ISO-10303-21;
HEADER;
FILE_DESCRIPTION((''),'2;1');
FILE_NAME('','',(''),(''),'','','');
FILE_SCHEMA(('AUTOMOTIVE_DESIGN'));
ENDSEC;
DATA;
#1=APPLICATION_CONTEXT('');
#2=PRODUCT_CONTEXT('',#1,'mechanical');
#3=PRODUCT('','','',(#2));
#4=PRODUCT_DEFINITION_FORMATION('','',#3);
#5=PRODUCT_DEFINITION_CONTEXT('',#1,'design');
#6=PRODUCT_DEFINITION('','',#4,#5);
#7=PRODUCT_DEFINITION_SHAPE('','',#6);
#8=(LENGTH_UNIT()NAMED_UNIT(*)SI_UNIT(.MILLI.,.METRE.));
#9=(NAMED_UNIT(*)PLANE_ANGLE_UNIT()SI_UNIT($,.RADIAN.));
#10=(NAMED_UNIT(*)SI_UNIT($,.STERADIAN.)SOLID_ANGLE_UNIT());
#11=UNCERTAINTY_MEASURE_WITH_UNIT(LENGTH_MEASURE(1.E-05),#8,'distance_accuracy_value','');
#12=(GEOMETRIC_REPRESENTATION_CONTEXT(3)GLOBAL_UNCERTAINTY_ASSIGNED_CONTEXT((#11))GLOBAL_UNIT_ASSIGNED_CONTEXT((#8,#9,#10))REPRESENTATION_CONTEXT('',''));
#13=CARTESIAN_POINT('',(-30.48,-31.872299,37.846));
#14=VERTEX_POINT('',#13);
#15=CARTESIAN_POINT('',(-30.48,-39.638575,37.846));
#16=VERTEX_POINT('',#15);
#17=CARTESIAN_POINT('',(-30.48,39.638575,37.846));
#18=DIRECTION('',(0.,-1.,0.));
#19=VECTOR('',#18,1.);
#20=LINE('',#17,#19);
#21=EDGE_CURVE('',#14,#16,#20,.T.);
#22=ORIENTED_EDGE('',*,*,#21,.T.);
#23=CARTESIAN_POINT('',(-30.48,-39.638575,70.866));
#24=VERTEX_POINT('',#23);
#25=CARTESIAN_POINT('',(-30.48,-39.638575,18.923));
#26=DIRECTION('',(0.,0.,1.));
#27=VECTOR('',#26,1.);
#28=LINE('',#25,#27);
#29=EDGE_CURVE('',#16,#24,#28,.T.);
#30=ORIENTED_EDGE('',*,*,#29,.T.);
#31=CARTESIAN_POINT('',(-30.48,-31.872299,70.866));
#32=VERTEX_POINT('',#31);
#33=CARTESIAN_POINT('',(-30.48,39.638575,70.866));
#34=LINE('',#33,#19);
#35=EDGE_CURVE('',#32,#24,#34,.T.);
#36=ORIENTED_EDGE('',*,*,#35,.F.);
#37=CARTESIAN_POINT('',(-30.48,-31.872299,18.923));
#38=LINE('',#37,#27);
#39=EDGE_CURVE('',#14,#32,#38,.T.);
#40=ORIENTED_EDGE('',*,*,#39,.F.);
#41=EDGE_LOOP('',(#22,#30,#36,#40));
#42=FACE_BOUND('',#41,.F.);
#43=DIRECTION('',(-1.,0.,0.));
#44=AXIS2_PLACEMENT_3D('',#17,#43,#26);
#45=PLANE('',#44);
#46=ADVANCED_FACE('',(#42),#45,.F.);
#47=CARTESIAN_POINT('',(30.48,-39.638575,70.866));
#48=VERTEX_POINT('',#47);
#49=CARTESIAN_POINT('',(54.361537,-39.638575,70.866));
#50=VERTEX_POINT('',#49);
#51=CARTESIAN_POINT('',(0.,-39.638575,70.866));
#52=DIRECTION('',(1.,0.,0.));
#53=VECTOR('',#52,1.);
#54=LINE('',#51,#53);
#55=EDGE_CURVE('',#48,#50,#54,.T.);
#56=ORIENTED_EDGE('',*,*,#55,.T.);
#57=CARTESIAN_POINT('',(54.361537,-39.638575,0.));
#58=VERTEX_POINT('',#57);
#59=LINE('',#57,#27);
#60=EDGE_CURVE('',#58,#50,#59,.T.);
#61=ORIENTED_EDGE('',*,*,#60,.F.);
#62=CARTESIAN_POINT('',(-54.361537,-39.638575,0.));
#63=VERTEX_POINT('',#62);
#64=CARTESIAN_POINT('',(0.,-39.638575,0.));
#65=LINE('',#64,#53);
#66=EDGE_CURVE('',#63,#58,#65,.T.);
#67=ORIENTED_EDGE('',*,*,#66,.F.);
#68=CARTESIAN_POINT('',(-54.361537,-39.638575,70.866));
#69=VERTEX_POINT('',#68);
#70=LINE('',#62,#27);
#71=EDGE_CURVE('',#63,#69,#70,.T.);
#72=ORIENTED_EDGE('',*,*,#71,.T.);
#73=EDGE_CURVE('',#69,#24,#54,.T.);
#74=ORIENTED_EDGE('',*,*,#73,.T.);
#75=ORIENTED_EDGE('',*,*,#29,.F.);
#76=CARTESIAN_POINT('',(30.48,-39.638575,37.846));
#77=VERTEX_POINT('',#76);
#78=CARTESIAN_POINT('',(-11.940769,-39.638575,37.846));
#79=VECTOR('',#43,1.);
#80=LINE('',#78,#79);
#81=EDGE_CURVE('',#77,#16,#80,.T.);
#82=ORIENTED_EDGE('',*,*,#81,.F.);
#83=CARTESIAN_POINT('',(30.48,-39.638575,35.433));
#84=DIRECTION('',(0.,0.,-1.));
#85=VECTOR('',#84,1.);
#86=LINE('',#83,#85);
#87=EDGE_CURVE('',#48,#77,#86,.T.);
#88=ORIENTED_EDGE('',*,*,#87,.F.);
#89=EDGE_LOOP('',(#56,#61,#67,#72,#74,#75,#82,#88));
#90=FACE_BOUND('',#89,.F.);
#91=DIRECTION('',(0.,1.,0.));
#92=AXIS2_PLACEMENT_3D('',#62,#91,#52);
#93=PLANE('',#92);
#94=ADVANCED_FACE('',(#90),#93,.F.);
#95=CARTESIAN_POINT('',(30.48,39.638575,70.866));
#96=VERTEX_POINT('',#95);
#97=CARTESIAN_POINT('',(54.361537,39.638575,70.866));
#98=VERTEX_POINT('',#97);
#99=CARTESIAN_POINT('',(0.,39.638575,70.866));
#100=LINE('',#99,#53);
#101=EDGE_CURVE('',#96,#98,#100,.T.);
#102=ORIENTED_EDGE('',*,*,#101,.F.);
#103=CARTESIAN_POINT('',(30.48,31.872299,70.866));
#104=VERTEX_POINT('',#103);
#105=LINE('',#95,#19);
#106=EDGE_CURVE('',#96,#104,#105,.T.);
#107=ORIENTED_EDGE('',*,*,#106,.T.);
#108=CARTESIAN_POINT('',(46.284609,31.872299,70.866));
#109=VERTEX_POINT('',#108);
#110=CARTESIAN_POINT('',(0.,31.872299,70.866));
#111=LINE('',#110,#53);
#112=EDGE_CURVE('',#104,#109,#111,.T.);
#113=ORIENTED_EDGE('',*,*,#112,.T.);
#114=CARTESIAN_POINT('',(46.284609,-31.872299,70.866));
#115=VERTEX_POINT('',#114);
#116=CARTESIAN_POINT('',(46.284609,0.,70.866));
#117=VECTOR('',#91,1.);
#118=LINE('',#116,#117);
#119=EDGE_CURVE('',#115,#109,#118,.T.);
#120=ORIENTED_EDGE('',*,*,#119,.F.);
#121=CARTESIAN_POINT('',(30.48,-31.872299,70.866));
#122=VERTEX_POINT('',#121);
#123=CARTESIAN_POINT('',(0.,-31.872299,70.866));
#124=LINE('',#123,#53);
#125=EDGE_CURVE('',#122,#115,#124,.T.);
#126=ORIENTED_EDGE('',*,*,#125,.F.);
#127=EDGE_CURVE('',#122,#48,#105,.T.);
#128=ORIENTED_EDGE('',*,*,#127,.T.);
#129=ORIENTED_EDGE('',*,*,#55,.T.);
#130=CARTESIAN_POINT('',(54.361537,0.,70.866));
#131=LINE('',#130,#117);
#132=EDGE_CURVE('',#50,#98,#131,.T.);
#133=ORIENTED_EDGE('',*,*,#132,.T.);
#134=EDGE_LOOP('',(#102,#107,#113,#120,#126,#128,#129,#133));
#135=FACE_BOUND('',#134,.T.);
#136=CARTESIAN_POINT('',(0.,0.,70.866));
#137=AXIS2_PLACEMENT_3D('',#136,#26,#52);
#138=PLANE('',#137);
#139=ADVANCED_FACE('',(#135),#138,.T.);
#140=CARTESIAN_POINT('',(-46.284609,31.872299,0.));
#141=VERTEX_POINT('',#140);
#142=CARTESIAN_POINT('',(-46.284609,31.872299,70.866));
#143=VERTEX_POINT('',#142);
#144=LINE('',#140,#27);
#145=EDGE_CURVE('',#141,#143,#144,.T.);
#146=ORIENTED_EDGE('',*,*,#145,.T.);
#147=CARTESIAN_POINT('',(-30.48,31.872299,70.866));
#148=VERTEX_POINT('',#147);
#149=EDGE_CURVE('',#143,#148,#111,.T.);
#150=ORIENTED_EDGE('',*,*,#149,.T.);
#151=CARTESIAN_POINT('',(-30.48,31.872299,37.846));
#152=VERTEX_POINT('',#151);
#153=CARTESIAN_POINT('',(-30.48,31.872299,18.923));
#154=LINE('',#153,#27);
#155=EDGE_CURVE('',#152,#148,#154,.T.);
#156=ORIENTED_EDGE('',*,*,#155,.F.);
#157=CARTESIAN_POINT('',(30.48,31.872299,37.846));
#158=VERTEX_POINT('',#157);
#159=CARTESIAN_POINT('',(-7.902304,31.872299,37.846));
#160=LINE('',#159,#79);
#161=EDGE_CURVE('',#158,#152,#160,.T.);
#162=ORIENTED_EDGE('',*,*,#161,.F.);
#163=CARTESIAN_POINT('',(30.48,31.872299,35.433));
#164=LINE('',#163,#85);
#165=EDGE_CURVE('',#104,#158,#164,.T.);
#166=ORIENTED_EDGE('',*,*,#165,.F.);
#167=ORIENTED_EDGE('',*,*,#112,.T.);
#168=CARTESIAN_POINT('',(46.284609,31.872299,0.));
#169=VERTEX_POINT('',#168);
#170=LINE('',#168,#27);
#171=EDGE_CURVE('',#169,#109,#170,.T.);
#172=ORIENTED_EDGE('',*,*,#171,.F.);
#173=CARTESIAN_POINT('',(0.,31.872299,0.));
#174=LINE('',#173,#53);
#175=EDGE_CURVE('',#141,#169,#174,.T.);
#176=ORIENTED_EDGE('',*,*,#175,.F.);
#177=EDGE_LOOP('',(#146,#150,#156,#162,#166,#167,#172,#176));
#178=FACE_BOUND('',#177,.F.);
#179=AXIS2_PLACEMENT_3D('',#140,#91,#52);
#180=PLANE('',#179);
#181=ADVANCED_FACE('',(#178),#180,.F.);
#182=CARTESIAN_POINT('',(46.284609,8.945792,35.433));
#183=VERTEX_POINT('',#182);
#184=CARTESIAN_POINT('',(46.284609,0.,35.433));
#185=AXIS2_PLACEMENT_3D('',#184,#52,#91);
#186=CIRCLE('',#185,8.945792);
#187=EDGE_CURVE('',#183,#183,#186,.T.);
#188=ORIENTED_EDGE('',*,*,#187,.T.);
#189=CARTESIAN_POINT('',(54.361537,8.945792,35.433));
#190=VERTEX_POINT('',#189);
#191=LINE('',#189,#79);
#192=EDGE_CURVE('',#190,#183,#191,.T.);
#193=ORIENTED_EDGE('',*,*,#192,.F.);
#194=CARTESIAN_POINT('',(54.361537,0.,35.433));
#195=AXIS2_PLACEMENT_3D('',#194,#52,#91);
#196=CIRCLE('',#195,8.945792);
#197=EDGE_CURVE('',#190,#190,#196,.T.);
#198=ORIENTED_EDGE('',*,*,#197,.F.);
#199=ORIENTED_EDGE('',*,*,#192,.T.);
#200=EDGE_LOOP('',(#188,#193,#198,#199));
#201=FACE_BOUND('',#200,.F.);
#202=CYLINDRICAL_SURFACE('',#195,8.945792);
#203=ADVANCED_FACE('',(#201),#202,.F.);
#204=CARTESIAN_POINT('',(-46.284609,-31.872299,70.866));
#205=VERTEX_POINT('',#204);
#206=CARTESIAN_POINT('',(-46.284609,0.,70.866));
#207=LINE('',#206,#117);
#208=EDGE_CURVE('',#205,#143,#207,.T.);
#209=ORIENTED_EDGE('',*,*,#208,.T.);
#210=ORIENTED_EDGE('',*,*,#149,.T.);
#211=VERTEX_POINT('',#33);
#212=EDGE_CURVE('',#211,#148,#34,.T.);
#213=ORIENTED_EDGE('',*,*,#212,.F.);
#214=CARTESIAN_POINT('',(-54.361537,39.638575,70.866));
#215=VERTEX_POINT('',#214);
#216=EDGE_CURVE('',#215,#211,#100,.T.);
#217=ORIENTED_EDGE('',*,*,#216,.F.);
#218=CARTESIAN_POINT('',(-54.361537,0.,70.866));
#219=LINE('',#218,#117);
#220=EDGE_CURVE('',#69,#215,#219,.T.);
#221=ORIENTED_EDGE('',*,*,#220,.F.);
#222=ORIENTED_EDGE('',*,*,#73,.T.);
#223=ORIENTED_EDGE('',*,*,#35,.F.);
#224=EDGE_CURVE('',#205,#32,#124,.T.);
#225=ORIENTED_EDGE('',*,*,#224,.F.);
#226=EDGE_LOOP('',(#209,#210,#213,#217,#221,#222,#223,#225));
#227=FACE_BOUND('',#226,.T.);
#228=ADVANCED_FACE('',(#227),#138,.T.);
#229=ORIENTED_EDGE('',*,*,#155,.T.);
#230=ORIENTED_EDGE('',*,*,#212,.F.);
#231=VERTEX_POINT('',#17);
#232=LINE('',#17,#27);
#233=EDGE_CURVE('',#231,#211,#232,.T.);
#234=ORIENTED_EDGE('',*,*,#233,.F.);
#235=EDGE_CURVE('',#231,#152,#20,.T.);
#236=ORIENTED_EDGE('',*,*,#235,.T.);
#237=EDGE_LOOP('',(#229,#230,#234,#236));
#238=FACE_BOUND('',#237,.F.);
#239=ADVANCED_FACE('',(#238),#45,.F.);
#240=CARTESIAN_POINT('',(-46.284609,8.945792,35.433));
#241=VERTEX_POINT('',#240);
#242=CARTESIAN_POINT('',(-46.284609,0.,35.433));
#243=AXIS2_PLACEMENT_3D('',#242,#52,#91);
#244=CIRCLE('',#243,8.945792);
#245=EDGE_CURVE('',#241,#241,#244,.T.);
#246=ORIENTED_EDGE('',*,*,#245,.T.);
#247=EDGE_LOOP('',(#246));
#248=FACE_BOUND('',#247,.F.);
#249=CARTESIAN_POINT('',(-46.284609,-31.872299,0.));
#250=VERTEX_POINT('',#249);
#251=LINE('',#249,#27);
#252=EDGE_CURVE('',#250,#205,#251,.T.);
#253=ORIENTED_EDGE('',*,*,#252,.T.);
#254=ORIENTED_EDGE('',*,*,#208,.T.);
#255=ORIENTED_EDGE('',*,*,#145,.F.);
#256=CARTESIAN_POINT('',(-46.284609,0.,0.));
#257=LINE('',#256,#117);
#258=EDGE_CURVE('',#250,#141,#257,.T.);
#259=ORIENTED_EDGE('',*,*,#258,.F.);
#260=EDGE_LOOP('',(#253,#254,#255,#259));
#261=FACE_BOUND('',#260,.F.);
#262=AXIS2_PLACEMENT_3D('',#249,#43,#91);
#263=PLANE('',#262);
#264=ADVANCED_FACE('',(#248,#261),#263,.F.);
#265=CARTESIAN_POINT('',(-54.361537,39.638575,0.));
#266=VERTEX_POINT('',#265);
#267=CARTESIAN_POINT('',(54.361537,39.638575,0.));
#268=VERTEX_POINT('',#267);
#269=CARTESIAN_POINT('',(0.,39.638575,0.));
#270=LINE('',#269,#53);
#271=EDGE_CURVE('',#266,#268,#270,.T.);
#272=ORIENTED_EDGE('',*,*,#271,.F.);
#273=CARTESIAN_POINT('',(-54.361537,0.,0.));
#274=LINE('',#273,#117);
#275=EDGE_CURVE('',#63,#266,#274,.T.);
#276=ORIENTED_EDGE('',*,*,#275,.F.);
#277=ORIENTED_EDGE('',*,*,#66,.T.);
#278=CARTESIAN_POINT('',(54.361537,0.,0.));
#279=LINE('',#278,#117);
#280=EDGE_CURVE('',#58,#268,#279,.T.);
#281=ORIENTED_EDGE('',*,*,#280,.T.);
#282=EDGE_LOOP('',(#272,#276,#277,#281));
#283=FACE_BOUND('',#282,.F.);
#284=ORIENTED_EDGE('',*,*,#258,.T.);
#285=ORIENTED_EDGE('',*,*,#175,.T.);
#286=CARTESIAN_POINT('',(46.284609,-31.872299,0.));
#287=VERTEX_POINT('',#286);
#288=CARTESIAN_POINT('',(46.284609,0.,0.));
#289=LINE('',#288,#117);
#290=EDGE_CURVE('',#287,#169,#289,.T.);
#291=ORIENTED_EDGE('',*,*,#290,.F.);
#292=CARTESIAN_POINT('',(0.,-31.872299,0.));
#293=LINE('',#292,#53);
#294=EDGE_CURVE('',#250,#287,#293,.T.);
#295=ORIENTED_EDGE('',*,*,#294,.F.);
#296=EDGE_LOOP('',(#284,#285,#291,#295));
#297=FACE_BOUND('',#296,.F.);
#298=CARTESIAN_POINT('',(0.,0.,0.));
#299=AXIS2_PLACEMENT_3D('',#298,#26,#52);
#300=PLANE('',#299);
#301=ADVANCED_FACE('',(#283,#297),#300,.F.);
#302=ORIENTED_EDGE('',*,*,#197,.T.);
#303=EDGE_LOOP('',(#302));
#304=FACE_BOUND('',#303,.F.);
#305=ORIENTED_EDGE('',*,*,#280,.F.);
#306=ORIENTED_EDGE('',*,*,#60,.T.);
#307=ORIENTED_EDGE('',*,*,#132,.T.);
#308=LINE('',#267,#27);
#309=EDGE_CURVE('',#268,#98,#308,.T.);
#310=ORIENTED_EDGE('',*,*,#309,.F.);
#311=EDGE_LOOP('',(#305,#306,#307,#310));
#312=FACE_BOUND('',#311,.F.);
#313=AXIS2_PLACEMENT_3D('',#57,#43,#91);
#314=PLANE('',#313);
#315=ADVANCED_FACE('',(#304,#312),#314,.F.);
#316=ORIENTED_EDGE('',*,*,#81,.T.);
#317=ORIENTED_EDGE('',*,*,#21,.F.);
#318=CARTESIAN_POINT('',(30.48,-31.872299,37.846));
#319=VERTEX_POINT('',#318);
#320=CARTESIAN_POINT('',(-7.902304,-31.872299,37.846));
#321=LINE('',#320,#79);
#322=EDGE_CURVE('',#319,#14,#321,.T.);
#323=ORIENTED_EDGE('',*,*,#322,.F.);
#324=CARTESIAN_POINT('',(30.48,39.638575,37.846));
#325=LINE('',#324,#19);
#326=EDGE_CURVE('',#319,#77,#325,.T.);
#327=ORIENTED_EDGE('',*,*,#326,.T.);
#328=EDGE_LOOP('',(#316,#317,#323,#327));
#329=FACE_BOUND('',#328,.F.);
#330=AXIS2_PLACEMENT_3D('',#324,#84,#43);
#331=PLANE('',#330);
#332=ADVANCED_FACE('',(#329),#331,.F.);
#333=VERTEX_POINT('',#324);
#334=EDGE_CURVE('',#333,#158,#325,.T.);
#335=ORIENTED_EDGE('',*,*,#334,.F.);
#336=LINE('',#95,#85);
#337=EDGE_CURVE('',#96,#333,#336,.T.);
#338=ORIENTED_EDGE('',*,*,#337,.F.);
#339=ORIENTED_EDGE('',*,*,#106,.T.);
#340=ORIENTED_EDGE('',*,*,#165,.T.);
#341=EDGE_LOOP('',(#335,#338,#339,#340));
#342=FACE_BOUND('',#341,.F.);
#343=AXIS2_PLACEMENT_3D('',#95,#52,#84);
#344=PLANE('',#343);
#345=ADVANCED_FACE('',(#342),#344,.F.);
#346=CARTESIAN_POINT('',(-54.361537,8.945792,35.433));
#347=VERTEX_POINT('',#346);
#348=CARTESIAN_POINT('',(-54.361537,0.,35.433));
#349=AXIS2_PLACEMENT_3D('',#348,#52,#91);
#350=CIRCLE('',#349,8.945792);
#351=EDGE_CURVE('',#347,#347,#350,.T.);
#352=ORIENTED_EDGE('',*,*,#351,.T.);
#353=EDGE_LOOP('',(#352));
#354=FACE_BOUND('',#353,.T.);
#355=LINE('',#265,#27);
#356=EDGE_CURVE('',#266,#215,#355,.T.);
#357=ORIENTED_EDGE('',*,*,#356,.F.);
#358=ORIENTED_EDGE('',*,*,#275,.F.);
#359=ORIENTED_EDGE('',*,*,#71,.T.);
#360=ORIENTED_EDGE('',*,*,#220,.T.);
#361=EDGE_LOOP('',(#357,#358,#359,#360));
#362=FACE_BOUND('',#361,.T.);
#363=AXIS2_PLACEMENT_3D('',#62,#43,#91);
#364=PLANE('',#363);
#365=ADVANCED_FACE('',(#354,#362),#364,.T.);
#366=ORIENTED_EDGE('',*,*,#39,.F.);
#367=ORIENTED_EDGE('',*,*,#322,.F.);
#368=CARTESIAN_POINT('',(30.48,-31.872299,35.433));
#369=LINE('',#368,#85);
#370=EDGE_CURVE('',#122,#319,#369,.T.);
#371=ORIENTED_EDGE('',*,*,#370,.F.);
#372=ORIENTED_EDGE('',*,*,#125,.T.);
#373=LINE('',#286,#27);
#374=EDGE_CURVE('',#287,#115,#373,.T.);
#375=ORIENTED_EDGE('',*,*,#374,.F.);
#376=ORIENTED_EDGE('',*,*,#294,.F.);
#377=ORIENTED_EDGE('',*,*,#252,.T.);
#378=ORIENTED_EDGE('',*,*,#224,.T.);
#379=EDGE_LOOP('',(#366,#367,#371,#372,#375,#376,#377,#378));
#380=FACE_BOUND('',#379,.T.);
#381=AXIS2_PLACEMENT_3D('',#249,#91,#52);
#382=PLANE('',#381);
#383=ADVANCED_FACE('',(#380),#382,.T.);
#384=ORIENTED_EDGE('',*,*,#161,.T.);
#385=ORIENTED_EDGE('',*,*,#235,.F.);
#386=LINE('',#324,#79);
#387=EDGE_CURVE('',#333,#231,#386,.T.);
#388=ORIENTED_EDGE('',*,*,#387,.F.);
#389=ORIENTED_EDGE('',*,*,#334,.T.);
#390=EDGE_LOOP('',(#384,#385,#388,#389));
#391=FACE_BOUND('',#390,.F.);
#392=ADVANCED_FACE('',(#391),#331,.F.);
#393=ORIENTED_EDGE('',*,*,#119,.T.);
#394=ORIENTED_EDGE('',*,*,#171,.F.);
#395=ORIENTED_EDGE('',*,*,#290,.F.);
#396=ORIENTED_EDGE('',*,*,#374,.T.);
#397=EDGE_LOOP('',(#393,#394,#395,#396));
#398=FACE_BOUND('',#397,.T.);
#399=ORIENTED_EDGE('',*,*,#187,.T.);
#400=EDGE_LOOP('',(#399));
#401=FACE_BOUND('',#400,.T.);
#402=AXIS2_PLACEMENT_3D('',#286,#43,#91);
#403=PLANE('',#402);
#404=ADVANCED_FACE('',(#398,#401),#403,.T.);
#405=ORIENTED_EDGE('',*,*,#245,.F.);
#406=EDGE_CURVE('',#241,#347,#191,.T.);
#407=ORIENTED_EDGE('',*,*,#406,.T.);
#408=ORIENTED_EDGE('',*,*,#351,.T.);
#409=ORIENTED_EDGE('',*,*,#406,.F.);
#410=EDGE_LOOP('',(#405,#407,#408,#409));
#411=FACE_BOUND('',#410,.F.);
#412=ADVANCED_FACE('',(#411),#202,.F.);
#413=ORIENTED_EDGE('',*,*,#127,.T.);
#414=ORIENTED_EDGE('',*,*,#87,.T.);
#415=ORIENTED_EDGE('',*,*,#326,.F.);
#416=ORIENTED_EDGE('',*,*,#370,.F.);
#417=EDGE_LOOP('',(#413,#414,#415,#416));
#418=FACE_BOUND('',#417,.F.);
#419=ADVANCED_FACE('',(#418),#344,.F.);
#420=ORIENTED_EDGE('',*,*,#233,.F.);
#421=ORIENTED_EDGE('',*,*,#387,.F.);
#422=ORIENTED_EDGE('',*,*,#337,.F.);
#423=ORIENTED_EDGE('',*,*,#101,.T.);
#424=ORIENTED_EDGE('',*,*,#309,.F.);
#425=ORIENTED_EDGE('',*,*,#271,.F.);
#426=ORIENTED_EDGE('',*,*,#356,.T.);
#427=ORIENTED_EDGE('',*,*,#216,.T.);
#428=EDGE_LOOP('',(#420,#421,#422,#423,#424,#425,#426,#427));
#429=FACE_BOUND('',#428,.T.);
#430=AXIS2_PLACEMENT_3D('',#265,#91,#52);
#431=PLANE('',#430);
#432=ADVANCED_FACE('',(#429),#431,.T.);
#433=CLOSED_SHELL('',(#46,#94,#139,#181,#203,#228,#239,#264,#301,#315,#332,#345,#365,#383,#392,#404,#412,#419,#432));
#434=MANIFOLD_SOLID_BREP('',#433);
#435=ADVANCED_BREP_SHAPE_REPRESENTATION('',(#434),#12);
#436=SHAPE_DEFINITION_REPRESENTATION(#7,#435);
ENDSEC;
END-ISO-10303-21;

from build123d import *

# Parameters (mm, degrees)
F0_W     = 108.723074
F0_H     = 79.27715
F0_W_2   = 92.569218
F0_H_2   = 63.744598
F1_DEPTH = 70.866
F2_R     = 8.945792
F3_DEPTH = 254
F5_DEPTH = 254


with BuildPart() as f1:
    # F0 (on Top) → F1 (new body)
    with BuildSketch(Plane.XY):
        Rectangle(F0_W, F0_H)
        Rectangle(F0_W_2, F0_H_2, mode=Mode.SUBTRACT)
    extrude(amount=F1_DEPTH)

    # F2 (on face) → F3 (cut)
    with BuildSketch(Plane.YZ.offset(54.361537)):
        with Locations((0, 35.433)):
            Circle(F2_R)
    extrude(amount=-F3_DEPTH, mode=Mode.SUBTRACT)

    # F4 (on face) → F5 (cut)
    with BuildSketch(Plane(origin=(0, 39.638575, 0), x_dir=(-1, 0, 0), z_dir=(0, 1, 0))):
        Polygon((30.48, 70.866), (0, 70.866), (-30.48, 70.866), (-30.48, 37.846), (30.48, 37.846), align=None)
    extrude(amount=-F5_DEPTH, mode=Mode.SUBTRACT)


solid = f1.part
